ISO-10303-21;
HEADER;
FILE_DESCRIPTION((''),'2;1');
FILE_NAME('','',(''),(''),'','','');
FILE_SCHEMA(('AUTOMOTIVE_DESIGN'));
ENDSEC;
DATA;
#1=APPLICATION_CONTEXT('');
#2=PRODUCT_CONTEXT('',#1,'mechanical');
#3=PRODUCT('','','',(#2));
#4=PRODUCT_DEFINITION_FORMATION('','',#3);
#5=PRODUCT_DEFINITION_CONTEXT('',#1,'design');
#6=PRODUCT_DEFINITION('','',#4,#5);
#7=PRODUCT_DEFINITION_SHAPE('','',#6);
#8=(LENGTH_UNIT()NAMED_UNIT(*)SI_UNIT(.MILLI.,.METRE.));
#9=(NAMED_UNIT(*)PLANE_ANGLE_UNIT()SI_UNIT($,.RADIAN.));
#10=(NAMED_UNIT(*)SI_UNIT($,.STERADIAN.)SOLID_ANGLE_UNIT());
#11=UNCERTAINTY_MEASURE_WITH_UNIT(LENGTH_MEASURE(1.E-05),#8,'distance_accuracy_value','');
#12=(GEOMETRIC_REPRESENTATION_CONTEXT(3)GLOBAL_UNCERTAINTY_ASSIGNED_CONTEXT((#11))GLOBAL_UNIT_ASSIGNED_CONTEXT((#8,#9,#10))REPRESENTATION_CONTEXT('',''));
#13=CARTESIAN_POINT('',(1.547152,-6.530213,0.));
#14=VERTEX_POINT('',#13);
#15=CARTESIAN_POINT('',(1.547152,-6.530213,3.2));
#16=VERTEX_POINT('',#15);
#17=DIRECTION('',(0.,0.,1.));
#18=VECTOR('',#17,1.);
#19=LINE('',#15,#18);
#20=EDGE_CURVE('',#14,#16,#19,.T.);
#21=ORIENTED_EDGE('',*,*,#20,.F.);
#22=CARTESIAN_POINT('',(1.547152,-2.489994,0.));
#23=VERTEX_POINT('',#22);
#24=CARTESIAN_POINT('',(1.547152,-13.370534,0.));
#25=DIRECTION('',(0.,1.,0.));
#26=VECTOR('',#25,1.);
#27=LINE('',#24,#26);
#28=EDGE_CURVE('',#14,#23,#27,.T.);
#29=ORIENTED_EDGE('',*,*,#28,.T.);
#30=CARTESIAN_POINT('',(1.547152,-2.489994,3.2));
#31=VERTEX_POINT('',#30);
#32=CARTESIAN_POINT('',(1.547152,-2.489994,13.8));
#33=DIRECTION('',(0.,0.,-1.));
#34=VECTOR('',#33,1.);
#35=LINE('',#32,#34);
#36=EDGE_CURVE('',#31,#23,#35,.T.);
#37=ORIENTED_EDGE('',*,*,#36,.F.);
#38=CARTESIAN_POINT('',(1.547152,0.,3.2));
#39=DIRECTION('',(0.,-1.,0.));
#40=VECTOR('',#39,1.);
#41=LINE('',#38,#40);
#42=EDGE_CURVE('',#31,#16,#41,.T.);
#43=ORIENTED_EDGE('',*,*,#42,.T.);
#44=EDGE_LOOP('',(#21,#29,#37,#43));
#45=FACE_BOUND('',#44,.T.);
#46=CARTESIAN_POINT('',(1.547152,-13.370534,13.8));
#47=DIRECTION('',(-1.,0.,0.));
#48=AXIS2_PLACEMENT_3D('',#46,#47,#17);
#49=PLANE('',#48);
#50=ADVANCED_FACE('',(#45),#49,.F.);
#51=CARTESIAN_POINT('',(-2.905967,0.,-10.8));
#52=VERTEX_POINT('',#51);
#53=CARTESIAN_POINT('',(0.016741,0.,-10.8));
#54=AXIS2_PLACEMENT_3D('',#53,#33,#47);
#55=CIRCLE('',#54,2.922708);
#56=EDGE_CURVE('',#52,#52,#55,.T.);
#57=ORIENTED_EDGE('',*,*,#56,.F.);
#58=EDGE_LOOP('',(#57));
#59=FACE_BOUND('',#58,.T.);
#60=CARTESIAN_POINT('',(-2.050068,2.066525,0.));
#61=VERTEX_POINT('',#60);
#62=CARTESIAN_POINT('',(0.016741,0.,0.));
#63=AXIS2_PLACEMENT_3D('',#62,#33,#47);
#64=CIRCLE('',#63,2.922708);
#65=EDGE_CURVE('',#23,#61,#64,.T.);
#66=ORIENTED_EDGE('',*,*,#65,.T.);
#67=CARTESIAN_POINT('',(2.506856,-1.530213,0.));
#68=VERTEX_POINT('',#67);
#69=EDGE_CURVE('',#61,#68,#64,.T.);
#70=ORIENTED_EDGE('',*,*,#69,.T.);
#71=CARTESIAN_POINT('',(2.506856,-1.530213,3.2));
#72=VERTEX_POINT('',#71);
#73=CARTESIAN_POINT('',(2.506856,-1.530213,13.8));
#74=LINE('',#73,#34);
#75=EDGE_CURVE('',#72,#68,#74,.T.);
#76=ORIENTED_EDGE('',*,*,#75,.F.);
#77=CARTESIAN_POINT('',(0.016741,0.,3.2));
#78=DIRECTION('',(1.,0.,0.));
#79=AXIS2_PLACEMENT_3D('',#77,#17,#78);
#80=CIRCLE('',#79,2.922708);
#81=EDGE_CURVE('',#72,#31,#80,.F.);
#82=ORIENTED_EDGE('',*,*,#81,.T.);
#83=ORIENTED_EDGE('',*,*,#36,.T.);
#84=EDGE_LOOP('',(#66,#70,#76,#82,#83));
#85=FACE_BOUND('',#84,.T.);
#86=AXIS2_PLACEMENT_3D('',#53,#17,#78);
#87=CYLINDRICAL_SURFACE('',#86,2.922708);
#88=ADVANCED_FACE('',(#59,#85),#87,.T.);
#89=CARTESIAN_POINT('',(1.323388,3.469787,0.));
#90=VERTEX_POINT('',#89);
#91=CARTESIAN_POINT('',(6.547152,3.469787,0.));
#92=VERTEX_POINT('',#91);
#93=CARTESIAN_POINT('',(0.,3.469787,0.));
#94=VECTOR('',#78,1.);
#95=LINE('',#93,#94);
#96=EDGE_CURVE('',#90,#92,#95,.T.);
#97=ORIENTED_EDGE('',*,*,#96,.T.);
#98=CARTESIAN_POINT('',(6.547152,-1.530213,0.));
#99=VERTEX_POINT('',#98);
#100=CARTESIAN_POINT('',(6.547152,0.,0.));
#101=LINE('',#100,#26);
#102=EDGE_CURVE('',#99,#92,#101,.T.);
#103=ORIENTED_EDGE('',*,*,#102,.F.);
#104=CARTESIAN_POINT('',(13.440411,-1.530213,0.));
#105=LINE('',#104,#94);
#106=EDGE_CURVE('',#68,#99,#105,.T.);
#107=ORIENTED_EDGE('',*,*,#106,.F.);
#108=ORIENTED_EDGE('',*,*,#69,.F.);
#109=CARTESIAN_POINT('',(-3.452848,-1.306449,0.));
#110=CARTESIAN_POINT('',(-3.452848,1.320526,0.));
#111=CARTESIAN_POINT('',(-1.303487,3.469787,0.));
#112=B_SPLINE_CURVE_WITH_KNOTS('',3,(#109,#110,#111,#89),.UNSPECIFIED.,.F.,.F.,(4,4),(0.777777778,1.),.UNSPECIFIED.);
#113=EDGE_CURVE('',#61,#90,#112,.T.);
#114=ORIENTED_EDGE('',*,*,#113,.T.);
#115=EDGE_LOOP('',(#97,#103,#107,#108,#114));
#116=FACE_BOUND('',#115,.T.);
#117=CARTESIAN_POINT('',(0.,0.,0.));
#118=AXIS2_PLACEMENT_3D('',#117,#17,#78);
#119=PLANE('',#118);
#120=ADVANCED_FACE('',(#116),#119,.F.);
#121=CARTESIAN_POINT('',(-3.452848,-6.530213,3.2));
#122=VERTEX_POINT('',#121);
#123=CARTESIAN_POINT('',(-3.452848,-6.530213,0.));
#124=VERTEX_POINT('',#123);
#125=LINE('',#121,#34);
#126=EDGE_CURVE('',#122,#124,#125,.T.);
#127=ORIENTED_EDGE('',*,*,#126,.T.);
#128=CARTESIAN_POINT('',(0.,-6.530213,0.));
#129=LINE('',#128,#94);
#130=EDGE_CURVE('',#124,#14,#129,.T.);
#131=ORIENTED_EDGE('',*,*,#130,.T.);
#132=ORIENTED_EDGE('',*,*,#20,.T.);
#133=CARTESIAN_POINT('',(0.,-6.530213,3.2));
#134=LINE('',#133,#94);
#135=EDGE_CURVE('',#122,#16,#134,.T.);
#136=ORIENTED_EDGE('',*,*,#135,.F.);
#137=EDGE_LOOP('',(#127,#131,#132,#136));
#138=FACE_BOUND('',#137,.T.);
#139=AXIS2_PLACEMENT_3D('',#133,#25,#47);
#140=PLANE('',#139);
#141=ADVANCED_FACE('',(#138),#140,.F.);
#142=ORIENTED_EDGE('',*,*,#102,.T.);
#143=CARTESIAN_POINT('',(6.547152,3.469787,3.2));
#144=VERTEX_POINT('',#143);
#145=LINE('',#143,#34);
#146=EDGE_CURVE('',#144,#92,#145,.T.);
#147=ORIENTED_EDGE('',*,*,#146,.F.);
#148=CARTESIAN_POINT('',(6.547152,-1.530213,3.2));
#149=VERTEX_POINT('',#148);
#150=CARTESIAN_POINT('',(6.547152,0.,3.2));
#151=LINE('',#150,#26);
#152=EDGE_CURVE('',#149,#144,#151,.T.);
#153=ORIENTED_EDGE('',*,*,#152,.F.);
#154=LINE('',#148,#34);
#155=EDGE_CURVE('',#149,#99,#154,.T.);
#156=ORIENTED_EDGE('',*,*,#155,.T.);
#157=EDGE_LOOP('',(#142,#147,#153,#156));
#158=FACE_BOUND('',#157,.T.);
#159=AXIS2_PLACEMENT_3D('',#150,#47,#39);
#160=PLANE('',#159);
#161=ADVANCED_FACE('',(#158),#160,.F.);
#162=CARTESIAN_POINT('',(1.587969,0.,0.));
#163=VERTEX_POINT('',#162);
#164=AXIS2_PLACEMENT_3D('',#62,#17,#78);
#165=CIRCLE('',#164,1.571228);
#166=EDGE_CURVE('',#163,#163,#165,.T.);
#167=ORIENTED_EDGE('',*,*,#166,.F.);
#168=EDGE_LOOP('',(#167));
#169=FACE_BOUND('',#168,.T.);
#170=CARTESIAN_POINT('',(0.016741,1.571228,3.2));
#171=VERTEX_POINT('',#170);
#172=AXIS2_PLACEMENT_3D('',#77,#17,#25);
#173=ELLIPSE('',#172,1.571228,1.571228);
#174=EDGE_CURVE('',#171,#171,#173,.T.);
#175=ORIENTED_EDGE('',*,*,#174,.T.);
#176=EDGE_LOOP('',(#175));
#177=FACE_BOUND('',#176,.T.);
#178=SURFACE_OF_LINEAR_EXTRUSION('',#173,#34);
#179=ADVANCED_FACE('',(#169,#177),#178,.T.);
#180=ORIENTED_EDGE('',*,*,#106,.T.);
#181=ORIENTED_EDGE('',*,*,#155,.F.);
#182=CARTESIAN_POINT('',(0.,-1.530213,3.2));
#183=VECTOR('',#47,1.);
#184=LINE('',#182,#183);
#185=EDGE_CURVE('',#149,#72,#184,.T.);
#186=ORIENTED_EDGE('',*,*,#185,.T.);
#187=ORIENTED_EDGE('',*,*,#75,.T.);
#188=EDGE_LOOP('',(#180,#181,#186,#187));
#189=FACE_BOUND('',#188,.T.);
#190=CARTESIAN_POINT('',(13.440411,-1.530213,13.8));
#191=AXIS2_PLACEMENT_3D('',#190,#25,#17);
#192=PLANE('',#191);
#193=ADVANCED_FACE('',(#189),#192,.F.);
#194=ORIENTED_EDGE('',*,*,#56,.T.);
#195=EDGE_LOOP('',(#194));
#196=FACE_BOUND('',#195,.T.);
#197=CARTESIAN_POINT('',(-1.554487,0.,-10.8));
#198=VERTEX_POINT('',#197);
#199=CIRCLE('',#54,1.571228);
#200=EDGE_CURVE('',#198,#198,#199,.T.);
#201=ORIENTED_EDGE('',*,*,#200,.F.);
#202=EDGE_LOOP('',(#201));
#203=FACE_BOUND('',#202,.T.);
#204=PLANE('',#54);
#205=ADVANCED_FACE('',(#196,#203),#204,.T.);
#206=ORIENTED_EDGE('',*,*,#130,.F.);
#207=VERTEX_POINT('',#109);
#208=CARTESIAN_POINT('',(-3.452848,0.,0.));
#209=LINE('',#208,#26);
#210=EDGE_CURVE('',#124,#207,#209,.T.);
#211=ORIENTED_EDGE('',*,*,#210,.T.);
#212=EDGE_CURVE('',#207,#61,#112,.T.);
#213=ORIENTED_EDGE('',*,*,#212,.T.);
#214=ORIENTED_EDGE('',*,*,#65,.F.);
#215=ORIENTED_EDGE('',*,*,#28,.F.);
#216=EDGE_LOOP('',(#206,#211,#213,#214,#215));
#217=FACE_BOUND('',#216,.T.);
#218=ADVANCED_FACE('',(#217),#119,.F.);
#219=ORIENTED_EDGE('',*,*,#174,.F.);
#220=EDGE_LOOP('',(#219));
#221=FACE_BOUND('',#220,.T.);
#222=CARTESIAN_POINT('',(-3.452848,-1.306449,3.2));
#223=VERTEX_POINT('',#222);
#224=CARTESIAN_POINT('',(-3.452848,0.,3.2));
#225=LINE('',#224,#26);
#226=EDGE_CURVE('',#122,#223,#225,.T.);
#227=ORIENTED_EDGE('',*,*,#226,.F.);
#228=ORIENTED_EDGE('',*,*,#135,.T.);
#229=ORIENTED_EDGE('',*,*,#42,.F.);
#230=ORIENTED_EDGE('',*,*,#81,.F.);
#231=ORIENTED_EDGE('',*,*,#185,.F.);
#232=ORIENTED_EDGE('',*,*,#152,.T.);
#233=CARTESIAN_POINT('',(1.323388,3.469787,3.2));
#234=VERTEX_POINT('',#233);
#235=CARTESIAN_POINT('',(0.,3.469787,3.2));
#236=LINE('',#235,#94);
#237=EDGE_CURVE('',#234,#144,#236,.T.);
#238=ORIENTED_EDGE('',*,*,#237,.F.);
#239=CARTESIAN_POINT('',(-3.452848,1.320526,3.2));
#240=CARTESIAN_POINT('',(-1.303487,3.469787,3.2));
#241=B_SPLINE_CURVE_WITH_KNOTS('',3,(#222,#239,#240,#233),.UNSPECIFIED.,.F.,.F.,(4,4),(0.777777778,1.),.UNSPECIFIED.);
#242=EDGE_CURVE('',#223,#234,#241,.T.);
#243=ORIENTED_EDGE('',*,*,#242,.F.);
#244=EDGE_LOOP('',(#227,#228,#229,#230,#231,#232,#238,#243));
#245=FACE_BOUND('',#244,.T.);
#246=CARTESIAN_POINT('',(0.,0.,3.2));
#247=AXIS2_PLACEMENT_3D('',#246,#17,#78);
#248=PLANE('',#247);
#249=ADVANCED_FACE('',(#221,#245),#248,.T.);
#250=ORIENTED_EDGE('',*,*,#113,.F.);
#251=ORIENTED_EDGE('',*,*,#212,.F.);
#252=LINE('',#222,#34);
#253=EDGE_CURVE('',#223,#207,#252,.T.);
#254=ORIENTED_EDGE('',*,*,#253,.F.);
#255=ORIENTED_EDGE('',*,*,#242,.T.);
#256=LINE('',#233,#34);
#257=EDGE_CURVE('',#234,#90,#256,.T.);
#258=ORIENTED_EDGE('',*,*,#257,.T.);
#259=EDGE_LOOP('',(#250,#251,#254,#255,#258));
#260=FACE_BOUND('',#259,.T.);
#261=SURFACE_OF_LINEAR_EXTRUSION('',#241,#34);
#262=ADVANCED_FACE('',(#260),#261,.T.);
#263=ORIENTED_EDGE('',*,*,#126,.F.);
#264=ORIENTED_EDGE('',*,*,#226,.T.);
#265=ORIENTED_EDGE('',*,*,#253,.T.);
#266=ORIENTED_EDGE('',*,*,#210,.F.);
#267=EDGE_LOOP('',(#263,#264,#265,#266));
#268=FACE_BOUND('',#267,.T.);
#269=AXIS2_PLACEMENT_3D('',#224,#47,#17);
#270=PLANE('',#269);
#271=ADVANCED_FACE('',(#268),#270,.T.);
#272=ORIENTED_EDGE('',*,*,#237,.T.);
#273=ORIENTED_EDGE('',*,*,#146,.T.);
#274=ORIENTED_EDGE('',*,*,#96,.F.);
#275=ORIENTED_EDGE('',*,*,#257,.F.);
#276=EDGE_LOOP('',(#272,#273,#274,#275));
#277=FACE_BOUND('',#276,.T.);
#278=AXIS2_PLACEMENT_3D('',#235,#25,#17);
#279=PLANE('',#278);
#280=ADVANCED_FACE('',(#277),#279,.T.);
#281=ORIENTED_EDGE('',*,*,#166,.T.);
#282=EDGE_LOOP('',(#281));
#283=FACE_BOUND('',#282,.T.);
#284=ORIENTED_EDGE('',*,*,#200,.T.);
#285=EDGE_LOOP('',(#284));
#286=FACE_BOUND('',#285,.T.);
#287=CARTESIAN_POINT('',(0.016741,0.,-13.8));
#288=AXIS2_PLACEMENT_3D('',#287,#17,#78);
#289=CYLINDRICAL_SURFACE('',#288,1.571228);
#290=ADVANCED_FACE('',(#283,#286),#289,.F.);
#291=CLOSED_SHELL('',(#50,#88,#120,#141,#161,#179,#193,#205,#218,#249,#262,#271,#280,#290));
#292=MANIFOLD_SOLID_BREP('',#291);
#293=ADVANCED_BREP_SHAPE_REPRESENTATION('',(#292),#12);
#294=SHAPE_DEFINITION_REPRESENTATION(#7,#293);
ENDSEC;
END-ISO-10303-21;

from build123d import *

# Parameters (mm, degrees)
SALIENTE_EXTRUIR1_DEPTH = 3.2
CROQUIS2_R              = 2.9227085
SALIENTE_EXTRUIR2_DEPTH = 10.8
CROQUIS3_R              = 1.571228252
CORTAR_EXTRUIR1_DEPTH   = 13.8
CORTAR_EXTRUIR2_DEPTH   = 13.8


with BuildPart() as part:
    # Model → Saliente-Extruir1 (new body)
    with BuildSketch(Plane.XY):
        with BuildLine():
            Line((-3.452848132, -1.30644903), (-3.452848132, -6.530212538))
            Line((-3.452848132, -6.530212538), (6.547151868, -6.530212538))
            Line((6.547151868, -6.530212538), (6.547151868, 3.469787462))
            Line((6.547151868, 3.469787462), (1.32338836, 3.469787462))
            add(Edge.make_bspline(
                [(-3.452848132, -1.30644903), (-3.452848132, 1.32052565), (-1.303487189, 3.469787462), (1.32338836, 3.469787462)],
                knots=[0.777777778, 0.777777778, 0.777777778, 0.777777778, 1, 1, 1, 1], degree=3))
        make_face()
        with BuildLine():
            add(Edge.make_bspline(
                [(0.016741068, 1.571228252), (-2.704706095, 1.571228252), (-1.343982514, -0.785614126), (0.016741068, -3.142456504), (1.377464649, -0.785614126), (2.73818823, 1.571228252), (0.016741068, 1.571228252)],
                knots=[0, 0, 0, 2.094395102, 2.094395102, 4.188790205, 4.188790205, 6.283185307, 6.283185307, 6.283185307], degree=2, weights=[1, 0.5, 1, 0.5, 1, 0.5, 1]))
        make_face(mode=Mode.SUBTRACT)
    extrude(amount=SALIENTE_EXTRUIR1_DEPTH)

    # Croquis2 → Saliente-Extruir2 (add)
    with BuildSketch(Plane(origin=(0, 0, 0), x_dir=(-1, 0, 0), z_dir=(0, 0, -1))):
        with Locations((-0.016741068, 0)):
            Circle(CROQUIS2_R)
    extrude(amount=SALIENTE_EXTRUIR2_DEPTH)

    # Croquis3 → Cortar-Extruir1 (cut)
    with BuildSketch(Plane.XY):
        with Locations((0.016741068, 0)):
            Circle(CROQUIS3_R)
    extrude(amount=-CORTAR_EXTRUIR1_DEPTH, mode=Mode.SUBTRACT)

    # Croquis4 → Cortar-Extruir2 (cut)
    with BuildSketch(Plane(origin=(0, 0, 0), x_dir=(-1, 0, 0), z_dir=(0, 0, -1))):
        with BuildLine():
            Line((-13.440411088, -13.370534454), (-1.547151868, -13.370534454))
            Line((-1.547151868, -13.370534454), (-1.547151868, -2.489993526))
            ThreePointArc((-1.547151868, -2.489993526), (-2.083490341, -2.066584722), (-2.506856439, -1.530212538))
            Line((-2.506856439, -1.530212538), (-13.440411088, -1.530212538))
            Line((-13.440411088, -1.530212538), (-13.440411088, -13.370534454))
        make_face()
    extrude(amount=-CORTAR_EXTRUIR2_DEPTH, mode=Mode.SUBTRACT)


solid = part.part
